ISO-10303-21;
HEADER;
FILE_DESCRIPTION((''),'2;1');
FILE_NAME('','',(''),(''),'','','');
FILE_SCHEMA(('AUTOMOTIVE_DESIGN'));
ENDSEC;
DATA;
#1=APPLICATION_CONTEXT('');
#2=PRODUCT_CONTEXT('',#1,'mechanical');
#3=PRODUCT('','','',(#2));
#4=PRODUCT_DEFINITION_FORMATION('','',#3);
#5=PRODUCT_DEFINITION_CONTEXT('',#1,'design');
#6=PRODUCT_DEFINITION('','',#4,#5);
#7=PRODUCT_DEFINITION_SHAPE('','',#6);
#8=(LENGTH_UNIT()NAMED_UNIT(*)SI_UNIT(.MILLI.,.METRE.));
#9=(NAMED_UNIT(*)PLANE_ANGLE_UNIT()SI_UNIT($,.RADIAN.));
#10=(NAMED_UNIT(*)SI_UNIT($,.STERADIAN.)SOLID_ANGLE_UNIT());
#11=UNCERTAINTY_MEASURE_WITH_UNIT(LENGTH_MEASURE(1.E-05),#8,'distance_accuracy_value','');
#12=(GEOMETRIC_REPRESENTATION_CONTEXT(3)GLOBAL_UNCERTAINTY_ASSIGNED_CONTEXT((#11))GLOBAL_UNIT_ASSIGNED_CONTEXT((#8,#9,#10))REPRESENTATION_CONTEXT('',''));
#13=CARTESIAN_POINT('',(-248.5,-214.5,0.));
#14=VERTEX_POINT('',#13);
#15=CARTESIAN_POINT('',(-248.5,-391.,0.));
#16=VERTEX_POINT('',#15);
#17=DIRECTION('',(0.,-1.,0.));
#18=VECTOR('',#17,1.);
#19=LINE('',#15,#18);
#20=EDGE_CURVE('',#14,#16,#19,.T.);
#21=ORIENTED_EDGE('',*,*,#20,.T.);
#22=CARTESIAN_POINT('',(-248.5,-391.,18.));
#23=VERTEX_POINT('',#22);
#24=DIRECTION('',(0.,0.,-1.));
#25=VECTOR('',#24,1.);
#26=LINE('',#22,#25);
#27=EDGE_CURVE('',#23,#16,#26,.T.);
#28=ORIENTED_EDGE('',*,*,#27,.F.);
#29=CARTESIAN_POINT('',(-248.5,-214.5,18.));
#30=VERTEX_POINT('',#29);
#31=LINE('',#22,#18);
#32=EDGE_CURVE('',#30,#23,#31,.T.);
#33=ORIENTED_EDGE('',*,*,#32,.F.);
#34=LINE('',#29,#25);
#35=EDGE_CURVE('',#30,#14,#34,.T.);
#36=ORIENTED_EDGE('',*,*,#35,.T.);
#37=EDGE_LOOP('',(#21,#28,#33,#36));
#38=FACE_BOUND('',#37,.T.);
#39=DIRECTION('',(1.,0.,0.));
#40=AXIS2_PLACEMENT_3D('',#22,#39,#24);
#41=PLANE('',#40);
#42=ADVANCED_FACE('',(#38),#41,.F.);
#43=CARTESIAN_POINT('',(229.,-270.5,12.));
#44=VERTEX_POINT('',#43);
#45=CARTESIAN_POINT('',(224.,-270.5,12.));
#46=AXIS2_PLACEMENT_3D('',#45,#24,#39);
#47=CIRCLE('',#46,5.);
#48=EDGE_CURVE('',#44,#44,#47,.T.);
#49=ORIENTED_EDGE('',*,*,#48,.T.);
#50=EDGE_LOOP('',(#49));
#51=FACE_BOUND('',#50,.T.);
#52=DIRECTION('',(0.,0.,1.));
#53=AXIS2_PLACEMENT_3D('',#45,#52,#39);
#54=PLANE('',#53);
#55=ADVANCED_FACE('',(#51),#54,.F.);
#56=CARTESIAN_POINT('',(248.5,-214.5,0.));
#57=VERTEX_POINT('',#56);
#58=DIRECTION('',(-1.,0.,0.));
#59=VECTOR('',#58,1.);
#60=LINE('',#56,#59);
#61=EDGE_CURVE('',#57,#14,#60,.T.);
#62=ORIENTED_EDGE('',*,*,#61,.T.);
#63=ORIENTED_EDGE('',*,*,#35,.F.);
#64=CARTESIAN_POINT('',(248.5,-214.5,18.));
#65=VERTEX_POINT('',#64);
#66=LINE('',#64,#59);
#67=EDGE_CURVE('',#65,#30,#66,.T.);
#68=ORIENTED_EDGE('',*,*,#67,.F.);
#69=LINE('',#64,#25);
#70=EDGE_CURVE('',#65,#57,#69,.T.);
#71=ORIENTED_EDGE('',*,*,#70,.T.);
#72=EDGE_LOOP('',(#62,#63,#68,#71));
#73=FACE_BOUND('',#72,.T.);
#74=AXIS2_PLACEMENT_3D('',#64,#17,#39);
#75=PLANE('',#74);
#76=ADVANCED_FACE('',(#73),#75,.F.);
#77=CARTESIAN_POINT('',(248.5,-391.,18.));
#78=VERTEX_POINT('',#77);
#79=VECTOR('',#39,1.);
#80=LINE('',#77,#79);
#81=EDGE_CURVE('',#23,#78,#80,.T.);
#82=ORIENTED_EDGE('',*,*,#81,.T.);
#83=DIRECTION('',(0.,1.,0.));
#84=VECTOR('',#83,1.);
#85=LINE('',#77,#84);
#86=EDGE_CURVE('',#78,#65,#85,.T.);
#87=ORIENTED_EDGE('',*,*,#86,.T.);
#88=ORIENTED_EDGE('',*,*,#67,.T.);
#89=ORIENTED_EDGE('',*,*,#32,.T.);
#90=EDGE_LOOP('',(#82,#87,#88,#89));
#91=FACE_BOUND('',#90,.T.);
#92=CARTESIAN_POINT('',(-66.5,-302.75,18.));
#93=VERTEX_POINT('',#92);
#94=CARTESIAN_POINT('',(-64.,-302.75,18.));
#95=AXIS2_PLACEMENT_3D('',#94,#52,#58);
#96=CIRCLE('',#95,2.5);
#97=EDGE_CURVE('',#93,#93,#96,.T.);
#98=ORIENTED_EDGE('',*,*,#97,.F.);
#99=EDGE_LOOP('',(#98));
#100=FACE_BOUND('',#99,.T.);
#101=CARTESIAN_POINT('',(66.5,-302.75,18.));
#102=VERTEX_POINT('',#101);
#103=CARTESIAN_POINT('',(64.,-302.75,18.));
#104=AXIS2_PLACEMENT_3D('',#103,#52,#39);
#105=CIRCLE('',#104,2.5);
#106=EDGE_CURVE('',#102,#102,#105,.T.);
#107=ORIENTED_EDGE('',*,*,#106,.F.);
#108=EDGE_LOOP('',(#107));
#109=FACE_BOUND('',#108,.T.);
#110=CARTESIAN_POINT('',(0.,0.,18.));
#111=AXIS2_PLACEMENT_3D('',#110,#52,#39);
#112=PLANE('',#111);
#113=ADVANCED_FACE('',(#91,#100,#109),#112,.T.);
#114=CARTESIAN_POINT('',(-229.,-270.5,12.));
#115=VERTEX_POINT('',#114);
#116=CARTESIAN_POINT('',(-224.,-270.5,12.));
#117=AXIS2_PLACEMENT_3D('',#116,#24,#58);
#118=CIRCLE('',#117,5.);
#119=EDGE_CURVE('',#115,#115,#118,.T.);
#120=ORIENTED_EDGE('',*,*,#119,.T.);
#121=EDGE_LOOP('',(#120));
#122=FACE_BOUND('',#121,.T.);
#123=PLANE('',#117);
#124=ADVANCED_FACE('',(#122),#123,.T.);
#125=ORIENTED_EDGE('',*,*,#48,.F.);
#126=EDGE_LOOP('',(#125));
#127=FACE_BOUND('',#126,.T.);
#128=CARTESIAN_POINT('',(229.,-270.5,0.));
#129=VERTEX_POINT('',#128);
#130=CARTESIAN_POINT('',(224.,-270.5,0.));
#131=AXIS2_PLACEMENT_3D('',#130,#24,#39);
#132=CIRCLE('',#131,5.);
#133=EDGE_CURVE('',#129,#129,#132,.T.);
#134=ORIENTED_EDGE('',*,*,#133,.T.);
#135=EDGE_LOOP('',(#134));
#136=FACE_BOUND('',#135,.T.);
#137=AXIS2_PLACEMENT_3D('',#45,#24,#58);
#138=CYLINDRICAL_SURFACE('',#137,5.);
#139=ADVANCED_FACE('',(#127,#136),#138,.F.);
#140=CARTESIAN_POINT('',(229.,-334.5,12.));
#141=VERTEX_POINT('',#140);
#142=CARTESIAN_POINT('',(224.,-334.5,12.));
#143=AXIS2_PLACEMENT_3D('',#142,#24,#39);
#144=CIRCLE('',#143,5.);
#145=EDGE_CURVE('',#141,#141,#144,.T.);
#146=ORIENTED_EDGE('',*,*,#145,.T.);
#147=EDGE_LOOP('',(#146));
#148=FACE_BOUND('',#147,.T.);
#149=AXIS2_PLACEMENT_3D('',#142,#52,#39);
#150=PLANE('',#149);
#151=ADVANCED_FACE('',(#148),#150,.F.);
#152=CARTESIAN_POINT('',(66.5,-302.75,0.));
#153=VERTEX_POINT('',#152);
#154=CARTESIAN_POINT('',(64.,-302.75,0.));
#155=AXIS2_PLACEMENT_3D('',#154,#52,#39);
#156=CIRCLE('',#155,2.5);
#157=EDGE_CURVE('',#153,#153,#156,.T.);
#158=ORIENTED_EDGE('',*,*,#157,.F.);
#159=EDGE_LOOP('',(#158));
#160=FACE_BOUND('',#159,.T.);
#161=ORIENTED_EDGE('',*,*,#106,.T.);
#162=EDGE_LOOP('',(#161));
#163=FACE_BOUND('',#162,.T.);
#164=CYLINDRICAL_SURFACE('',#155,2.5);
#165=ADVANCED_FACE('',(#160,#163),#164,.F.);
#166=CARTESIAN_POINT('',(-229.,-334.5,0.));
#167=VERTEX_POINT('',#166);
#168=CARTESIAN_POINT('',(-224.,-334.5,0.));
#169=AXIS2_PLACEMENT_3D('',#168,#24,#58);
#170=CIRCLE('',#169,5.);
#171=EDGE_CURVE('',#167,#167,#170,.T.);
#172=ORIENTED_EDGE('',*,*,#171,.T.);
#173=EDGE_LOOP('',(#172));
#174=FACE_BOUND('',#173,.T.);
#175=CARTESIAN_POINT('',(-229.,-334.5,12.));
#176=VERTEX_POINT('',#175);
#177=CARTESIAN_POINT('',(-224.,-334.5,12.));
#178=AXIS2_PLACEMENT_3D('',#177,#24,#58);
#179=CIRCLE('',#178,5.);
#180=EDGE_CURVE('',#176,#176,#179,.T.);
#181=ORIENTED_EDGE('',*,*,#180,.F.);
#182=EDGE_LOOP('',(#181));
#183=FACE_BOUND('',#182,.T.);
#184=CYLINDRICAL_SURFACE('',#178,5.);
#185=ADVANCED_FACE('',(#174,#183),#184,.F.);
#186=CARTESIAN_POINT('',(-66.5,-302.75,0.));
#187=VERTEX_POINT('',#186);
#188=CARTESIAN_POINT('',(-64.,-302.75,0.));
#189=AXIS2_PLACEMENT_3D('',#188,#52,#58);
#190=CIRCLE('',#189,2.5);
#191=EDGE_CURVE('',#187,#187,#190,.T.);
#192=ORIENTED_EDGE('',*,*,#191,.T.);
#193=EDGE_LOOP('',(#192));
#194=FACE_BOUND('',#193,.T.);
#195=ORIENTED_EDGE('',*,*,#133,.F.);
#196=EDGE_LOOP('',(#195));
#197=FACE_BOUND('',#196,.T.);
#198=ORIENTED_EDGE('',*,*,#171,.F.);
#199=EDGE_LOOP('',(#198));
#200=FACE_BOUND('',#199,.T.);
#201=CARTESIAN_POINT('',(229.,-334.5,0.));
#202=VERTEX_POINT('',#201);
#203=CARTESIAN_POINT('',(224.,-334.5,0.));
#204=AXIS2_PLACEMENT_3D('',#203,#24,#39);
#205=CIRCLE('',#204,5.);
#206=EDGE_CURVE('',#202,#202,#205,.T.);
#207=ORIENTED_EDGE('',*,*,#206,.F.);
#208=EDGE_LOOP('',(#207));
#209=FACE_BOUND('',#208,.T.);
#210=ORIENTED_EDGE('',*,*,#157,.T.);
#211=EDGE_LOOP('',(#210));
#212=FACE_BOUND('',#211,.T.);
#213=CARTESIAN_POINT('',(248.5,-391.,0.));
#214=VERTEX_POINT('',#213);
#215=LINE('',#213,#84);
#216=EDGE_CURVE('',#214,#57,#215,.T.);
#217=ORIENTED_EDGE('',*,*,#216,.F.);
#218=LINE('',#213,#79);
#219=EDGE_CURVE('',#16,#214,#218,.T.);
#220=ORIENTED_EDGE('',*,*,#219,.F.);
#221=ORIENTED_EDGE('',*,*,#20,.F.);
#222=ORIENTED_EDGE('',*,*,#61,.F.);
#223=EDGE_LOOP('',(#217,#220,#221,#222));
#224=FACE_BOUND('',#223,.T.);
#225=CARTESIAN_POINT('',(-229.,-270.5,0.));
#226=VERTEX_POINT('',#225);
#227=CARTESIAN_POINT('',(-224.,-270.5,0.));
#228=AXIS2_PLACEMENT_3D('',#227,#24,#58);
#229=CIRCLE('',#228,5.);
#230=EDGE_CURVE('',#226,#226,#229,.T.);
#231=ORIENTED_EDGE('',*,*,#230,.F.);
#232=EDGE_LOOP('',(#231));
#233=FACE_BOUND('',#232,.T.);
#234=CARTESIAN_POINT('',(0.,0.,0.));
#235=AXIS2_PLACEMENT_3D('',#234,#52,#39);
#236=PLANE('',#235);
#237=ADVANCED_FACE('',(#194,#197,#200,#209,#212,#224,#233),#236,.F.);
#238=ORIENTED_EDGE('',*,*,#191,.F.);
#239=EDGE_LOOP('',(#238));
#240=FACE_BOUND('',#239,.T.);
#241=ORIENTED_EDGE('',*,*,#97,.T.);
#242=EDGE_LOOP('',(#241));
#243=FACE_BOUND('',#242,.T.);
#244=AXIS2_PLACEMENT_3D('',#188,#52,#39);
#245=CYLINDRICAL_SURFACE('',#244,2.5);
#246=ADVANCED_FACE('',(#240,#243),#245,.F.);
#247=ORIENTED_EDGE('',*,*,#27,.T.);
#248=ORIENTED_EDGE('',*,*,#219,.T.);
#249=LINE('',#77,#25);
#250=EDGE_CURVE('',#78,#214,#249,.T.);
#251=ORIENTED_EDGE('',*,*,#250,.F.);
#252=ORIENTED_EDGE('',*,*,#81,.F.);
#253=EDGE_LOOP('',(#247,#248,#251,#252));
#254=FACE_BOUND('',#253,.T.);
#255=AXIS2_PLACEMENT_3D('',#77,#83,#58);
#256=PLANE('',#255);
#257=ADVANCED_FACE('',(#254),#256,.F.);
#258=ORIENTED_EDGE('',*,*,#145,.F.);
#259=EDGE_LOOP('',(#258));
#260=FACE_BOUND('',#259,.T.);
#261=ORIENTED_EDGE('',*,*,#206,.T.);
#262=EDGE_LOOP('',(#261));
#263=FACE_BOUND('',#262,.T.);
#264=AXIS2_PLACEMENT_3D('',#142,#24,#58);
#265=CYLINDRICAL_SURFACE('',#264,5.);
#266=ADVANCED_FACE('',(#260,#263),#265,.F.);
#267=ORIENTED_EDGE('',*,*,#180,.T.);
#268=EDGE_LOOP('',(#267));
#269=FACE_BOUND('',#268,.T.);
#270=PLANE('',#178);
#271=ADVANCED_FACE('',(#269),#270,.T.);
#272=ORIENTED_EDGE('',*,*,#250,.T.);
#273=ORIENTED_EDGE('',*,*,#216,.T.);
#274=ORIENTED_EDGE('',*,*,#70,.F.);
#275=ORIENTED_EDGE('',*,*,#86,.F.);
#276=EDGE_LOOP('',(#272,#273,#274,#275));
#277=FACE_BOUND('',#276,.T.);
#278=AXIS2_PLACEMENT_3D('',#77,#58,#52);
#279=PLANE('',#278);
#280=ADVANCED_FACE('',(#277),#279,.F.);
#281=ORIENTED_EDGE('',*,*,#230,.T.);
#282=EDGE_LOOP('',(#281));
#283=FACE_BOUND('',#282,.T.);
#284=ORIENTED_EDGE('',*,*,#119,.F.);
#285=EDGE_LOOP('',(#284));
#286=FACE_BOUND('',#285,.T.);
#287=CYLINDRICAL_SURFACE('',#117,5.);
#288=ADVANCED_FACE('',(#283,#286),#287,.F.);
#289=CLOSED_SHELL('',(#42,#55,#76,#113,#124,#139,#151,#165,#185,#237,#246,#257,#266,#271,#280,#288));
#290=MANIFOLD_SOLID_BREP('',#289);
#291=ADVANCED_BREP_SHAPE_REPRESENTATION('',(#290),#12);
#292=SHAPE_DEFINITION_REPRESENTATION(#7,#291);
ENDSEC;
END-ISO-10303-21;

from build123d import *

# Parameters (mm, degrees)
SKETCH1_W           = 497
SKETCH1_H           = 176.5
BOSS_EXTRUDE1_DEPTH = 18
SKETCH5_R           = 2.5
CUT_EXTRUDE4_DEPTH  = 18
SKETCH6_R           = 5
CUT_EXTRUDE5_DEPTH  = 12


with BuildPart() as part:
    # Sketch1 → Boss-Extrude1 (new body)
    with BuildSketch(Plane.XY):
        with Locations((0, -302.75)):
            Rectangle(SKETCH1_W, SKETCH1_H)
    extrude(amount=BOSS_EXTRUDE1_DEPTH)

    # Sketch5 → Cut-Extrude4 (cut)
    with BuildSketch(Plane.XY.offset(18)):
        with Locations((64, -302.75)):
            Circle(SKETCH5_R)
        with Locations(Location((-64, -302.75, 0), (0, 0, 180))):
            Circle(SKETCH5_R)
    extrude(amount=-CUT_EXTRUDE4_DEPTH, mode=Mode.SUBTRACT)

    # Sketch6 → Cut-Extrude5 (cut)
    with BuildSketch(Plane(origin=(0, 0, 0), x_dir=(-1, 0, 0), z_dir=(0, 0, -1))):
        with Locations((224, -270.5)):
            Circle(SKETCH6_R)
        with Locations(Location((-224, -270.5, 0), (0, 0, 180))):
            Circle(SKETCH6_R)
        with Locations((224, -334.5)):
            Circle(SKETCH6_R)
        with Locations(Location((-224, -334.5, 0), (0, 0, 180))):
            Circle(SKETCH6_R)
    extrude(amount=-CUT_EXTRUDE5_DEPTH, mode=Mode.SUBTRACT)


solid = part.part
